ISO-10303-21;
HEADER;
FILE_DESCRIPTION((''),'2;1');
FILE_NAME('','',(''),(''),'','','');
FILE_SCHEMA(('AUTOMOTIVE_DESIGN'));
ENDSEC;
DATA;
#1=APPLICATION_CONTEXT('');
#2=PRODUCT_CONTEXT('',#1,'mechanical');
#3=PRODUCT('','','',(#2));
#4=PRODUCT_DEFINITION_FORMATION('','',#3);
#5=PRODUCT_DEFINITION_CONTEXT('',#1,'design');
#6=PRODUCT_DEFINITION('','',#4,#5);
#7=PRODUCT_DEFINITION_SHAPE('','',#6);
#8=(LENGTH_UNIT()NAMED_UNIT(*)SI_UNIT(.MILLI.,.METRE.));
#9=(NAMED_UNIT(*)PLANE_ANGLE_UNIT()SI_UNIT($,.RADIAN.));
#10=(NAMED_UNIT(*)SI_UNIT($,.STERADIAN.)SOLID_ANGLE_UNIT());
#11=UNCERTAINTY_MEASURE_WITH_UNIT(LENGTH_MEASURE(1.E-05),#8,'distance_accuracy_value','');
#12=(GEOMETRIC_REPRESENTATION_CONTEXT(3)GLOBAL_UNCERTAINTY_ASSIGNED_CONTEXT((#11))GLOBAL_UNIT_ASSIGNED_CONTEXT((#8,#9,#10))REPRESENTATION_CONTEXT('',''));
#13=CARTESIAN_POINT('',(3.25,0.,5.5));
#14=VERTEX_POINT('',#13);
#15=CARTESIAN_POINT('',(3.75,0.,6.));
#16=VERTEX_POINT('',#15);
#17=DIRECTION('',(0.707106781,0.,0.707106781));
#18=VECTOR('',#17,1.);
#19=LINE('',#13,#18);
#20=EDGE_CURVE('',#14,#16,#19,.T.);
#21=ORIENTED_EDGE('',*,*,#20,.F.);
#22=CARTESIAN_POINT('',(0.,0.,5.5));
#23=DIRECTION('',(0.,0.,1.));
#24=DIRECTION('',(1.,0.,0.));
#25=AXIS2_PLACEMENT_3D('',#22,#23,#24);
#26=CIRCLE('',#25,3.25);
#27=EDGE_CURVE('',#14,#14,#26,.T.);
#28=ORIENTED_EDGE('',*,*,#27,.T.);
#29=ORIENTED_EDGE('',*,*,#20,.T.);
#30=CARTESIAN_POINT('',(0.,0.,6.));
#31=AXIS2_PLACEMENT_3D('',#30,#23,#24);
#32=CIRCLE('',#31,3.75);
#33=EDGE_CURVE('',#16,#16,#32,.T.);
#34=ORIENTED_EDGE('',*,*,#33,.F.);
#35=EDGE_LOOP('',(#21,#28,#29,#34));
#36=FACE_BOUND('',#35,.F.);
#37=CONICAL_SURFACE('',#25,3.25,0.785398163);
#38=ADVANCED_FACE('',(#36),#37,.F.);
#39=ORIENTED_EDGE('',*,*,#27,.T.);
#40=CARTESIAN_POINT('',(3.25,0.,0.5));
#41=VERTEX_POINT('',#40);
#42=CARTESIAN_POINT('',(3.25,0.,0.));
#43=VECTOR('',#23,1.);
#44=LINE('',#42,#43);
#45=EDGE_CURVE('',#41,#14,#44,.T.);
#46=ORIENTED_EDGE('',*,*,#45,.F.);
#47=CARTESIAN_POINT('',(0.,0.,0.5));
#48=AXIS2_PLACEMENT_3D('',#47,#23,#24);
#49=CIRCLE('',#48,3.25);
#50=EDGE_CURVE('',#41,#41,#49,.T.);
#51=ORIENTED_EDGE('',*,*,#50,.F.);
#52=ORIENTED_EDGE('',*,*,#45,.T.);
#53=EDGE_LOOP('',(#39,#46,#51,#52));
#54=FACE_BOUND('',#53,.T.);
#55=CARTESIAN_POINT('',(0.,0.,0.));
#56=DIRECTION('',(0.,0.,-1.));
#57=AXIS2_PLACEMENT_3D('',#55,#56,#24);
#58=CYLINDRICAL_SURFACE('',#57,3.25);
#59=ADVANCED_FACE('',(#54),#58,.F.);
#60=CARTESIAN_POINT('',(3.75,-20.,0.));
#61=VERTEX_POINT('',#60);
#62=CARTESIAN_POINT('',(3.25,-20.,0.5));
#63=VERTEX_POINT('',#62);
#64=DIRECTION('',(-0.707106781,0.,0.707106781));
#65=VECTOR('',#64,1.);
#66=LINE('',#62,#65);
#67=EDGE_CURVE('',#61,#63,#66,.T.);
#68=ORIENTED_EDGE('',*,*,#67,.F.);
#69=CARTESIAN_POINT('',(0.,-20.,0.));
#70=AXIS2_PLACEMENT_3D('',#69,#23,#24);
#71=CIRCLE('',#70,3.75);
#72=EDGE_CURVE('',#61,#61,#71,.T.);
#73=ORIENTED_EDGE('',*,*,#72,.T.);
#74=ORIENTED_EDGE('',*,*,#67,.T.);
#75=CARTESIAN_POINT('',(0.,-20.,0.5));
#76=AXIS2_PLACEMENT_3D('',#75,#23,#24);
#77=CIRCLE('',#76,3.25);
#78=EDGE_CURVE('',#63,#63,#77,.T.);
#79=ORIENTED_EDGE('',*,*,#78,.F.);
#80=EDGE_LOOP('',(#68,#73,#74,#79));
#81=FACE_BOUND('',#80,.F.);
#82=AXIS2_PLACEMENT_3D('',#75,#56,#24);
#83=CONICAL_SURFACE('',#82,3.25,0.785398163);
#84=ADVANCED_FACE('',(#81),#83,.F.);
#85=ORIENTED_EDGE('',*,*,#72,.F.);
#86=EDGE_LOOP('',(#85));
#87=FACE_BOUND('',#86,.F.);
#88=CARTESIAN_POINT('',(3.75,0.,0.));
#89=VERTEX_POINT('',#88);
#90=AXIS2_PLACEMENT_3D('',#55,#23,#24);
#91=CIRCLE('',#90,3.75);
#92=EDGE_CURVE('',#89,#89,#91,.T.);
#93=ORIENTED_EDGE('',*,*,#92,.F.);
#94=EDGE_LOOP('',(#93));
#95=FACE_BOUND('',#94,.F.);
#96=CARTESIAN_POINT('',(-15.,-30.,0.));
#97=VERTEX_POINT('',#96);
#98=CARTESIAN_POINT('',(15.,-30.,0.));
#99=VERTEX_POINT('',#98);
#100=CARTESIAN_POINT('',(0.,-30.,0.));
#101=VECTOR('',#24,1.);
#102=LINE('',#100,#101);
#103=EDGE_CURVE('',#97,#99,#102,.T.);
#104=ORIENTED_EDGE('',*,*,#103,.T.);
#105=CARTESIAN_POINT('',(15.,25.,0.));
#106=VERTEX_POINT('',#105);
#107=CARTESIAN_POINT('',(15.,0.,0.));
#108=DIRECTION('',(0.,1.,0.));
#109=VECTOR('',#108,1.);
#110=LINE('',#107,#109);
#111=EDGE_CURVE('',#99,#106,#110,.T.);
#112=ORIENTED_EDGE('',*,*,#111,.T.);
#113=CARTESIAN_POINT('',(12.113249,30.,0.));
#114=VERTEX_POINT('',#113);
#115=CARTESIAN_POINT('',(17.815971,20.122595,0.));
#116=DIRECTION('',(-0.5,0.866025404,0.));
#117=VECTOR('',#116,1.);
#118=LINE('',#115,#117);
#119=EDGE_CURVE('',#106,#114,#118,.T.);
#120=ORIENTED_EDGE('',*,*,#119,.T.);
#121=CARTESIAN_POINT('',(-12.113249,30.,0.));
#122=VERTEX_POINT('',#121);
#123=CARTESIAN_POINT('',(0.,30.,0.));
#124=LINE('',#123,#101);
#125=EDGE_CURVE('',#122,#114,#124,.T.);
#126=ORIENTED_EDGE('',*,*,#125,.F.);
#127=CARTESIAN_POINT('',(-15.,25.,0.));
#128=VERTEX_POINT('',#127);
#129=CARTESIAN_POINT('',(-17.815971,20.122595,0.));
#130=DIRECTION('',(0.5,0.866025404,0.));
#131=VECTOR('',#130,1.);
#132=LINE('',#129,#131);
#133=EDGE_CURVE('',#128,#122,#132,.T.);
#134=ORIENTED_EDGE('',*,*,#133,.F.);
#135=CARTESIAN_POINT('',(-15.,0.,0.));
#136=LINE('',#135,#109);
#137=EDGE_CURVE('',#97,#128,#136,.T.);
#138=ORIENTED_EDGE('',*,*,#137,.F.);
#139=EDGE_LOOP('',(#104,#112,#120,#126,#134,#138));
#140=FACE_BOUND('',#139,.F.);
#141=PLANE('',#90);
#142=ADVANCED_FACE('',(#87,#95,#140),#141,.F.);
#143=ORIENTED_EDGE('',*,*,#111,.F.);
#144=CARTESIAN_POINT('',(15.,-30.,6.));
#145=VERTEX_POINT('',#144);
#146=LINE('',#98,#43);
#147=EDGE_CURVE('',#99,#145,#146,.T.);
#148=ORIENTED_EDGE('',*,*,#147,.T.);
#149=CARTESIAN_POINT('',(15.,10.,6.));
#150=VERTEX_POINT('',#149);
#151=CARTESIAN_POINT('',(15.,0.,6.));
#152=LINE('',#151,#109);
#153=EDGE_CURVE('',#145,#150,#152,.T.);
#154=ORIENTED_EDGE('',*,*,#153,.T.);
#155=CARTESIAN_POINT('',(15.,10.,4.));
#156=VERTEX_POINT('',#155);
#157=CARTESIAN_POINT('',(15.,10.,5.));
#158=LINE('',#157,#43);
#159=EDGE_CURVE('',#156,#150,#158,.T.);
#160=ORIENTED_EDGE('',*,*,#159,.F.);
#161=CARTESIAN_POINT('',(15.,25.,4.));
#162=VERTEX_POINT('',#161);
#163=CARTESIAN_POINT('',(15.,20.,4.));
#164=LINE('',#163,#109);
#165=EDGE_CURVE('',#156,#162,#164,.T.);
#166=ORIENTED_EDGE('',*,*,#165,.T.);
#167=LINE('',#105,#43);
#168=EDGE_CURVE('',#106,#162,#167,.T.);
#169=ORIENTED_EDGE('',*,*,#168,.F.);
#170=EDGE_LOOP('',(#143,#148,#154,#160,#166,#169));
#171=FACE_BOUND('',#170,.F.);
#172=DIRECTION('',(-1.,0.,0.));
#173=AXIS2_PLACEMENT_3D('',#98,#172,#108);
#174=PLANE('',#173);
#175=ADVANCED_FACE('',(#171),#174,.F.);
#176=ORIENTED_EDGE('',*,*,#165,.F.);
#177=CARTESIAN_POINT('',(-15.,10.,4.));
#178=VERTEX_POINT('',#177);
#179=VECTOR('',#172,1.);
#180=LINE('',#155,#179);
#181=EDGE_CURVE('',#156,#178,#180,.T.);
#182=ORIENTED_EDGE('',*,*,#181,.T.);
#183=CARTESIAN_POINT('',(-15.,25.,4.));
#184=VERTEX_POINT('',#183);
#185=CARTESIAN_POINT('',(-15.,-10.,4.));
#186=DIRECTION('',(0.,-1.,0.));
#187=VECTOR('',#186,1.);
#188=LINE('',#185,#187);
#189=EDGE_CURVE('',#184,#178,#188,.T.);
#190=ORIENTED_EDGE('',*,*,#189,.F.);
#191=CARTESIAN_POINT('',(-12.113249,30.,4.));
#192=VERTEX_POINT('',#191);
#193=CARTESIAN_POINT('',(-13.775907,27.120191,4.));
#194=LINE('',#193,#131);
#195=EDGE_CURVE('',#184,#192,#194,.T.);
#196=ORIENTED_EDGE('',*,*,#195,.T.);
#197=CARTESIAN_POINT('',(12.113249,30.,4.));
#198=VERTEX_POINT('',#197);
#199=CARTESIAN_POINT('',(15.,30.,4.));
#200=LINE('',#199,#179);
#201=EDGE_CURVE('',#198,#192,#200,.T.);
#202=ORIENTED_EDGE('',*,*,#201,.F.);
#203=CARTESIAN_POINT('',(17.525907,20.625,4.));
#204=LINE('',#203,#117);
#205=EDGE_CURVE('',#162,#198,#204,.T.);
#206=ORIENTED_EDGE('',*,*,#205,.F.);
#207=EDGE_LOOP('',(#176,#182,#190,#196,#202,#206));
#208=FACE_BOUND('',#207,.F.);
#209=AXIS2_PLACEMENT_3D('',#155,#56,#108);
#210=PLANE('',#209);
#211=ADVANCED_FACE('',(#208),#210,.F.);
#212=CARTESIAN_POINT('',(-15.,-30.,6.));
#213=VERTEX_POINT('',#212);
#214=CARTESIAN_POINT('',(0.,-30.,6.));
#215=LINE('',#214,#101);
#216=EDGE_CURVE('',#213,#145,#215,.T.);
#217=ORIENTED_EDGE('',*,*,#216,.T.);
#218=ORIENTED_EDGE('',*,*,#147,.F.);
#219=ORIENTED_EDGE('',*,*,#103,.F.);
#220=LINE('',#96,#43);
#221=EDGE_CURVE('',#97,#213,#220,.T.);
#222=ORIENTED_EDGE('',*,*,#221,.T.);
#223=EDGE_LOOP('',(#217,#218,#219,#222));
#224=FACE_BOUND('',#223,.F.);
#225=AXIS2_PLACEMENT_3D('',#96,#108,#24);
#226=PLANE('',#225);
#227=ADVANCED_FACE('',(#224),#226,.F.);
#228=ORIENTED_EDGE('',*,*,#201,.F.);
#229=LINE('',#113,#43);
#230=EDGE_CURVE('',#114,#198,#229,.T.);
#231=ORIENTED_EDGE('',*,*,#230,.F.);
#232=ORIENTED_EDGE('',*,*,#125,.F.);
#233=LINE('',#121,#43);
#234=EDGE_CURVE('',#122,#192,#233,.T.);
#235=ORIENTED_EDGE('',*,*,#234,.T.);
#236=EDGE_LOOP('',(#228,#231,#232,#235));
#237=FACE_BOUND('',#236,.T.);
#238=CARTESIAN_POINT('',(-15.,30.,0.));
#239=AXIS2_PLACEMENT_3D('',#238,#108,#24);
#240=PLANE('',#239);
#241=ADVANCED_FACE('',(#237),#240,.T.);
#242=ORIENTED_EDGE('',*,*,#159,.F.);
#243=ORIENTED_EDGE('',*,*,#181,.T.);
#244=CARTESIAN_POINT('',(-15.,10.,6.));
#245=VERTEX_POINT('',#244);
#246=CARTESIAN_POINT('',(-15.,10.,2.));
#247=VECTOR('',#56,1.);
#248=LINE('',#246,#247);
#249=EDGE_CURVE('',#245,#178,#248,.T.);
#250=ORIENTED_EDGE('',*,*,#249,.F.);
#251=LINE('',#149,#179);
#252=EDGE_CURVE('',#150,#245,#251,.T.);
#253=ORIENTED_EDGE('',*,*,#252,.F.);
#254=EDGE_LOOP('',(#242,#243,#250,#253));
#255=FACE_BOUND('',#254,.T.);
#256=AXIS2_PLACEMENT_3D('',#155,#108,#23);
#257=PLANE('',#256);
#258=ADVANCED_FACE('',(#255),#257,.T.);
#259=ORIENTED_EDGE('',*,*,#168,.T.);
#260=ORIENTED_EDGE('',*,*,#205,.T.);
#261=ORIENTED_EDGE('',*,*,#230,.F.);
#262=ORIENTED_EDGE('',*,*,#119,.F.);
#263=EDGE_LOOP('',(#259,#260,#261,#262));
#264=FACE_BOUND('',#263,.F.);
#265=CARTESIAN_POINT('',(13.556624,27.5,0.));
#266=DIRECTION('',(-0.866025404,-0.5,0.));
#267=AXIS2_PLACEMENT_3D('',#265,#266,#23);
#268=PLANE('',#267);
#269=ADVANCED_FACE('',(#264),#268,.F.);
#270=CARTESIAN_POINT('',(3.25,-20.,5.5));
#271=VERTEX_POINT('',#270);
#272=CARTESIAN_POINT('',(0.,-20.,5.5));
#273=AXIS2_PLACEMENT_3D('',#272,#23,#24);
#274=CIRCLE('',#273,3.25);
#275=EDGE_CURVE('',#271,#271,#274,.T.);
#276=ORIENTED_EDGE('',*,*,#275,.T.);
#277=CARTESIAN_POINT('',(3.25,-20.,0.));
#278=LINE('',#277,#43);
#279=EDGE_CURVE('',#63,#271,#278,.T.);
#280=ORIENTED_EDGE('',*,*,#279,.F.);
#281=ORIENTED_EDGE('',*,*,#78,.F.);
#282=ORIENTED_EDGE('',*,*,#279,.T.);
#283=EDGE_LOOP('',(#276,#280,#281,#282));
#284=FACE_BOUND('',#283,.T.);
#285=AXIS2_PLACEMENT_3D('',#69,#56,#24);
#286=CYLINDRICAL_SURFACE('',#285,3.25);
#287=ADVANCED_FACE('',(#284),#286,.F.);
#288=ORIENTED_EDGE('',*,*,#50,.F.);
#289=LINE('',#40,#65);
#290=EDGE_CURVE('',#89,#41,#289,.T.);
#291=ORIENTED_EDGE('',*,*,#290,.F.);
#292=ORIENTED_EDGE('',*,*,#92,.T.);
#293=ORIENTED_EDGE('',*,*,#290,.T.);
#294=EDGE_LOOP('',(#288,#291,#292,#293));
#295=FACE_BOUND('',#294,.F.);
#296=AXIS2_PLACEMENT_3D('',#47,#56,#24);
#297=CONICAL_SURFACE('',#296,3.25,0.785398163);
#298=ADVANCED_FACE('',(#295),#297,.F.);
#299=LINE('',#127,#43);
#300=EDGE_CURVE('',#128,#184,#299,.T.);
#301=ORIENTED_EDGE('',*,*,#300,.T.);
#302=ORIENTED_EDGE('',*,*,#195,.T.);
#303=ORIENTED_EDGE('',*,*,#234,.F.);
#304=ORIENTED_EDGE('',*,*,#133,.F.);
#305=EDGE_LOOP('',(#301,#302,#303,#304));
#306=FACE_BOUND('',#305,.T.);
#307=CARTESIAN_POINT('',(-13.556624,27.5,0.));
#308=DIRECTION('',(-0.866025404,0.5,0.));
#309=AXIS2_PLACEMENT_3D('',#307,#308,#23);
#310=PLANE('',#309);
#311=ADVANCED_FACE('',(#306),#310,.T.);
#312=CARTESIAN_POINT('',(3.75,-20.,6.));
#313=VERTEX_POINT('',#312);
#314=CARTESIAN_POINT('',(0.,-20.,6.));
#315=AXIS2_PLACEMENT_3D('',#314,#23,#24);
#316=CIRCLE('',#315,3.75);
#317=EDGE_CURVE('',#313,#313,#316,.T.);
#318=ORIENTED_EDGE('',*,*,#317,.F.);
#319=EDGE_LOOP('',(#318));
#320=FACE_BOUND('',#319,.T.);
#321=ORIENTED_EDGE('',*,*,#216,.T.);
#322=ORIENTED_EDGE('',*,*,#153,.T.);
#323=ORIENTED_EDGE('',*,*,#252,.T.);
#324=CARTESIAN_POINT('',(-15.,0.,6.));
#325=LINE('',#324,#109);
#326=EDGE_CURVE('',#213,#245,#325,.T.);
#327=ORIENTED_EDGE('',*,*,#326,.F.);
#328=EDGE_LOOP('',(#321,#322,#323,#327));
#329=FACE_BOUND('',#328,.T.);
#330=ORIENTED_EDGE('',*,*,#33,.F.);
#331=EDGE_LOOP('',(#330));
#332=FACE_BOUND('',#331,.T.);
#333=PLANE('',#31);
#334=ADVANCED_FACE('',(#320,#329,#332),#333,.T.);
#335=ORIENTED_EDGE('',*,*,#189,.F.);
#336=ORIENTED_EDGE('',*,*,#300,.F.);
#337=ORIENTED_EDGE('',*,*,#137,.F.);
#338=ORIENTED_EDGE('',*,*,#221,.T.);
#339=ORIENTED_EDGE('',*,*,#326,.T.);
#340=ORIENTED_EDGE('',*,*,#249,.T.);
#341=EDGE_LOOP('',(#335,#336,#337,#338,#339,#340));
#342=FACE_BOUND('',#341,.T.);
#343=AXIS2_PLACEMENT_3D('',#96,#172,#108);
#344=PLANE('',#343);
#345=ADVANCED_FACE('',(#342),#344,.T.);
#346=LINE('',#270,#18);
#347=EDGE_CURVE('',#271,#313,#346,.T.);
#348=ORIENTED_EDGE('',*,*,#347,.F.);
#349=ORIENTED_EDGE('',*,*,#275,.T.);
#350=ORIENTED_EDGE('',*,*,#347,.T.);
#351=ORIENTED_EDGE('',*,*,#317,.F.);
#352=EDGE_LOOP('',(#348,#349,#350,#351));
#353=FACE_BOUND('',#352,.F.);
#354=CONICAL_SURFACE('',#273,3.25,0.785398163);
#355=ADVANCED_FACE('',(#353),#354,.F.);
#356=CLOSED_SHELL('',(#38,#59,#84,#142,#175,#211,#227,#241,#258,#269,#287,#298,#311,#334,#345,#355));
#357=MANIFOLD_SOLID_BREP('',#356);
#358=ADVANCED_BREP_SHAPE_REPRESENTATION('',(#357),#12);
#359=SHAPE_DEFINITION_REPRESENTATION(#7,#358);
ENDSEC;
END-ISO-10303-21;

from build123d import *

# Parameters (mm, degrees)
SKETCH_1_W          = 30
SKETCH_1_H          = 60
SKETCH_1_R          = 3.25
EXTRUDE_1_DEPTH     = 6
SKETCH_2_W          = 2
SKETCH_2_H          = 20
CUT_EXTRUDE_1_DEPTH = 31
CHAMFER_2_SIZE      = 5
CHAMFER_2_SIZE2     = 2.886751346
CHAMFER_3_SIZE      = 5
CHAMFER_3_SIZE2     = 2.886751346
CHAMFER_4_SIZE      = 0.5


with BuildPart() as part:
    # Эскиз1 → Бобышка-Вытянуть1 (new body)
    with BuildSketch(Plane.XY):
        Rectangle(SKETCH_1_W, SKETCH_1_H)
        with Locations((0, -20)):
            Circle(SKETCH_1_R, mode=Mode.SUBTRACT)
        Circle(SKETCH_1_R, mode=Mode.SUBTRACT)
    extrude(amount=EXTRUDE_1_DEPTH)

    # Эскиз2 → Вырез-Вытянуть1 (cut, through all)
    with BuildSketch(Plane.ZY.offset(-15)):
        with Locations((5, 20)):
            Rectangle(SKETCH_2_W, SKETCH_2_H)
    extrude(amount=CUT_EXTRUDE_1_DEPTH, mode=Mode.SUBTRACT)

    # Фаска2
    chamfer_2_edges = [part.edges().sort_by_distance(p)[0] for p in [
        (-15, 30, 2),
    ]]
    chamfer_2_side = [part.faces().sort_by_distance(p)[0] for p in [
        (-15, -2.5, 2.75),
    ]]
    chamfer(chamfer_2_edges, length=CHAMFER_2_SIZE, length2=CHAMFER_2_SIZE2, reference=chamfer_2_side[0])

    # Фаска3
    chamfer_3_edges = [part.edges().sort_by_distance(p)[0] for p in [
        (15, 30, 2),
    ]]
    chamfer_3_side = [part.faces().sort_by_distance(p)[0] for p in [
        (15, -2.5, 2.75),
    ]]
    chamfer(chamfer_3_edges, length=CHAMFER_3_SIZE, length2=CHAMFER_3_SIZE2, reference=chamfer_3_side[0])

    # Фаска4
    chamfer_4_edges = [part.edges().sort_by_distance(p)[0] for p in [
        (-3.25, -20, 0),
        (-3.25, -20, 6),
        (-3.25, 0, 0),
        (-3.25, 0, 6),
    ]]
    chamfer(chamfer_4_edges, length=CHAMFER_4_SIZE)


solid = part.part
